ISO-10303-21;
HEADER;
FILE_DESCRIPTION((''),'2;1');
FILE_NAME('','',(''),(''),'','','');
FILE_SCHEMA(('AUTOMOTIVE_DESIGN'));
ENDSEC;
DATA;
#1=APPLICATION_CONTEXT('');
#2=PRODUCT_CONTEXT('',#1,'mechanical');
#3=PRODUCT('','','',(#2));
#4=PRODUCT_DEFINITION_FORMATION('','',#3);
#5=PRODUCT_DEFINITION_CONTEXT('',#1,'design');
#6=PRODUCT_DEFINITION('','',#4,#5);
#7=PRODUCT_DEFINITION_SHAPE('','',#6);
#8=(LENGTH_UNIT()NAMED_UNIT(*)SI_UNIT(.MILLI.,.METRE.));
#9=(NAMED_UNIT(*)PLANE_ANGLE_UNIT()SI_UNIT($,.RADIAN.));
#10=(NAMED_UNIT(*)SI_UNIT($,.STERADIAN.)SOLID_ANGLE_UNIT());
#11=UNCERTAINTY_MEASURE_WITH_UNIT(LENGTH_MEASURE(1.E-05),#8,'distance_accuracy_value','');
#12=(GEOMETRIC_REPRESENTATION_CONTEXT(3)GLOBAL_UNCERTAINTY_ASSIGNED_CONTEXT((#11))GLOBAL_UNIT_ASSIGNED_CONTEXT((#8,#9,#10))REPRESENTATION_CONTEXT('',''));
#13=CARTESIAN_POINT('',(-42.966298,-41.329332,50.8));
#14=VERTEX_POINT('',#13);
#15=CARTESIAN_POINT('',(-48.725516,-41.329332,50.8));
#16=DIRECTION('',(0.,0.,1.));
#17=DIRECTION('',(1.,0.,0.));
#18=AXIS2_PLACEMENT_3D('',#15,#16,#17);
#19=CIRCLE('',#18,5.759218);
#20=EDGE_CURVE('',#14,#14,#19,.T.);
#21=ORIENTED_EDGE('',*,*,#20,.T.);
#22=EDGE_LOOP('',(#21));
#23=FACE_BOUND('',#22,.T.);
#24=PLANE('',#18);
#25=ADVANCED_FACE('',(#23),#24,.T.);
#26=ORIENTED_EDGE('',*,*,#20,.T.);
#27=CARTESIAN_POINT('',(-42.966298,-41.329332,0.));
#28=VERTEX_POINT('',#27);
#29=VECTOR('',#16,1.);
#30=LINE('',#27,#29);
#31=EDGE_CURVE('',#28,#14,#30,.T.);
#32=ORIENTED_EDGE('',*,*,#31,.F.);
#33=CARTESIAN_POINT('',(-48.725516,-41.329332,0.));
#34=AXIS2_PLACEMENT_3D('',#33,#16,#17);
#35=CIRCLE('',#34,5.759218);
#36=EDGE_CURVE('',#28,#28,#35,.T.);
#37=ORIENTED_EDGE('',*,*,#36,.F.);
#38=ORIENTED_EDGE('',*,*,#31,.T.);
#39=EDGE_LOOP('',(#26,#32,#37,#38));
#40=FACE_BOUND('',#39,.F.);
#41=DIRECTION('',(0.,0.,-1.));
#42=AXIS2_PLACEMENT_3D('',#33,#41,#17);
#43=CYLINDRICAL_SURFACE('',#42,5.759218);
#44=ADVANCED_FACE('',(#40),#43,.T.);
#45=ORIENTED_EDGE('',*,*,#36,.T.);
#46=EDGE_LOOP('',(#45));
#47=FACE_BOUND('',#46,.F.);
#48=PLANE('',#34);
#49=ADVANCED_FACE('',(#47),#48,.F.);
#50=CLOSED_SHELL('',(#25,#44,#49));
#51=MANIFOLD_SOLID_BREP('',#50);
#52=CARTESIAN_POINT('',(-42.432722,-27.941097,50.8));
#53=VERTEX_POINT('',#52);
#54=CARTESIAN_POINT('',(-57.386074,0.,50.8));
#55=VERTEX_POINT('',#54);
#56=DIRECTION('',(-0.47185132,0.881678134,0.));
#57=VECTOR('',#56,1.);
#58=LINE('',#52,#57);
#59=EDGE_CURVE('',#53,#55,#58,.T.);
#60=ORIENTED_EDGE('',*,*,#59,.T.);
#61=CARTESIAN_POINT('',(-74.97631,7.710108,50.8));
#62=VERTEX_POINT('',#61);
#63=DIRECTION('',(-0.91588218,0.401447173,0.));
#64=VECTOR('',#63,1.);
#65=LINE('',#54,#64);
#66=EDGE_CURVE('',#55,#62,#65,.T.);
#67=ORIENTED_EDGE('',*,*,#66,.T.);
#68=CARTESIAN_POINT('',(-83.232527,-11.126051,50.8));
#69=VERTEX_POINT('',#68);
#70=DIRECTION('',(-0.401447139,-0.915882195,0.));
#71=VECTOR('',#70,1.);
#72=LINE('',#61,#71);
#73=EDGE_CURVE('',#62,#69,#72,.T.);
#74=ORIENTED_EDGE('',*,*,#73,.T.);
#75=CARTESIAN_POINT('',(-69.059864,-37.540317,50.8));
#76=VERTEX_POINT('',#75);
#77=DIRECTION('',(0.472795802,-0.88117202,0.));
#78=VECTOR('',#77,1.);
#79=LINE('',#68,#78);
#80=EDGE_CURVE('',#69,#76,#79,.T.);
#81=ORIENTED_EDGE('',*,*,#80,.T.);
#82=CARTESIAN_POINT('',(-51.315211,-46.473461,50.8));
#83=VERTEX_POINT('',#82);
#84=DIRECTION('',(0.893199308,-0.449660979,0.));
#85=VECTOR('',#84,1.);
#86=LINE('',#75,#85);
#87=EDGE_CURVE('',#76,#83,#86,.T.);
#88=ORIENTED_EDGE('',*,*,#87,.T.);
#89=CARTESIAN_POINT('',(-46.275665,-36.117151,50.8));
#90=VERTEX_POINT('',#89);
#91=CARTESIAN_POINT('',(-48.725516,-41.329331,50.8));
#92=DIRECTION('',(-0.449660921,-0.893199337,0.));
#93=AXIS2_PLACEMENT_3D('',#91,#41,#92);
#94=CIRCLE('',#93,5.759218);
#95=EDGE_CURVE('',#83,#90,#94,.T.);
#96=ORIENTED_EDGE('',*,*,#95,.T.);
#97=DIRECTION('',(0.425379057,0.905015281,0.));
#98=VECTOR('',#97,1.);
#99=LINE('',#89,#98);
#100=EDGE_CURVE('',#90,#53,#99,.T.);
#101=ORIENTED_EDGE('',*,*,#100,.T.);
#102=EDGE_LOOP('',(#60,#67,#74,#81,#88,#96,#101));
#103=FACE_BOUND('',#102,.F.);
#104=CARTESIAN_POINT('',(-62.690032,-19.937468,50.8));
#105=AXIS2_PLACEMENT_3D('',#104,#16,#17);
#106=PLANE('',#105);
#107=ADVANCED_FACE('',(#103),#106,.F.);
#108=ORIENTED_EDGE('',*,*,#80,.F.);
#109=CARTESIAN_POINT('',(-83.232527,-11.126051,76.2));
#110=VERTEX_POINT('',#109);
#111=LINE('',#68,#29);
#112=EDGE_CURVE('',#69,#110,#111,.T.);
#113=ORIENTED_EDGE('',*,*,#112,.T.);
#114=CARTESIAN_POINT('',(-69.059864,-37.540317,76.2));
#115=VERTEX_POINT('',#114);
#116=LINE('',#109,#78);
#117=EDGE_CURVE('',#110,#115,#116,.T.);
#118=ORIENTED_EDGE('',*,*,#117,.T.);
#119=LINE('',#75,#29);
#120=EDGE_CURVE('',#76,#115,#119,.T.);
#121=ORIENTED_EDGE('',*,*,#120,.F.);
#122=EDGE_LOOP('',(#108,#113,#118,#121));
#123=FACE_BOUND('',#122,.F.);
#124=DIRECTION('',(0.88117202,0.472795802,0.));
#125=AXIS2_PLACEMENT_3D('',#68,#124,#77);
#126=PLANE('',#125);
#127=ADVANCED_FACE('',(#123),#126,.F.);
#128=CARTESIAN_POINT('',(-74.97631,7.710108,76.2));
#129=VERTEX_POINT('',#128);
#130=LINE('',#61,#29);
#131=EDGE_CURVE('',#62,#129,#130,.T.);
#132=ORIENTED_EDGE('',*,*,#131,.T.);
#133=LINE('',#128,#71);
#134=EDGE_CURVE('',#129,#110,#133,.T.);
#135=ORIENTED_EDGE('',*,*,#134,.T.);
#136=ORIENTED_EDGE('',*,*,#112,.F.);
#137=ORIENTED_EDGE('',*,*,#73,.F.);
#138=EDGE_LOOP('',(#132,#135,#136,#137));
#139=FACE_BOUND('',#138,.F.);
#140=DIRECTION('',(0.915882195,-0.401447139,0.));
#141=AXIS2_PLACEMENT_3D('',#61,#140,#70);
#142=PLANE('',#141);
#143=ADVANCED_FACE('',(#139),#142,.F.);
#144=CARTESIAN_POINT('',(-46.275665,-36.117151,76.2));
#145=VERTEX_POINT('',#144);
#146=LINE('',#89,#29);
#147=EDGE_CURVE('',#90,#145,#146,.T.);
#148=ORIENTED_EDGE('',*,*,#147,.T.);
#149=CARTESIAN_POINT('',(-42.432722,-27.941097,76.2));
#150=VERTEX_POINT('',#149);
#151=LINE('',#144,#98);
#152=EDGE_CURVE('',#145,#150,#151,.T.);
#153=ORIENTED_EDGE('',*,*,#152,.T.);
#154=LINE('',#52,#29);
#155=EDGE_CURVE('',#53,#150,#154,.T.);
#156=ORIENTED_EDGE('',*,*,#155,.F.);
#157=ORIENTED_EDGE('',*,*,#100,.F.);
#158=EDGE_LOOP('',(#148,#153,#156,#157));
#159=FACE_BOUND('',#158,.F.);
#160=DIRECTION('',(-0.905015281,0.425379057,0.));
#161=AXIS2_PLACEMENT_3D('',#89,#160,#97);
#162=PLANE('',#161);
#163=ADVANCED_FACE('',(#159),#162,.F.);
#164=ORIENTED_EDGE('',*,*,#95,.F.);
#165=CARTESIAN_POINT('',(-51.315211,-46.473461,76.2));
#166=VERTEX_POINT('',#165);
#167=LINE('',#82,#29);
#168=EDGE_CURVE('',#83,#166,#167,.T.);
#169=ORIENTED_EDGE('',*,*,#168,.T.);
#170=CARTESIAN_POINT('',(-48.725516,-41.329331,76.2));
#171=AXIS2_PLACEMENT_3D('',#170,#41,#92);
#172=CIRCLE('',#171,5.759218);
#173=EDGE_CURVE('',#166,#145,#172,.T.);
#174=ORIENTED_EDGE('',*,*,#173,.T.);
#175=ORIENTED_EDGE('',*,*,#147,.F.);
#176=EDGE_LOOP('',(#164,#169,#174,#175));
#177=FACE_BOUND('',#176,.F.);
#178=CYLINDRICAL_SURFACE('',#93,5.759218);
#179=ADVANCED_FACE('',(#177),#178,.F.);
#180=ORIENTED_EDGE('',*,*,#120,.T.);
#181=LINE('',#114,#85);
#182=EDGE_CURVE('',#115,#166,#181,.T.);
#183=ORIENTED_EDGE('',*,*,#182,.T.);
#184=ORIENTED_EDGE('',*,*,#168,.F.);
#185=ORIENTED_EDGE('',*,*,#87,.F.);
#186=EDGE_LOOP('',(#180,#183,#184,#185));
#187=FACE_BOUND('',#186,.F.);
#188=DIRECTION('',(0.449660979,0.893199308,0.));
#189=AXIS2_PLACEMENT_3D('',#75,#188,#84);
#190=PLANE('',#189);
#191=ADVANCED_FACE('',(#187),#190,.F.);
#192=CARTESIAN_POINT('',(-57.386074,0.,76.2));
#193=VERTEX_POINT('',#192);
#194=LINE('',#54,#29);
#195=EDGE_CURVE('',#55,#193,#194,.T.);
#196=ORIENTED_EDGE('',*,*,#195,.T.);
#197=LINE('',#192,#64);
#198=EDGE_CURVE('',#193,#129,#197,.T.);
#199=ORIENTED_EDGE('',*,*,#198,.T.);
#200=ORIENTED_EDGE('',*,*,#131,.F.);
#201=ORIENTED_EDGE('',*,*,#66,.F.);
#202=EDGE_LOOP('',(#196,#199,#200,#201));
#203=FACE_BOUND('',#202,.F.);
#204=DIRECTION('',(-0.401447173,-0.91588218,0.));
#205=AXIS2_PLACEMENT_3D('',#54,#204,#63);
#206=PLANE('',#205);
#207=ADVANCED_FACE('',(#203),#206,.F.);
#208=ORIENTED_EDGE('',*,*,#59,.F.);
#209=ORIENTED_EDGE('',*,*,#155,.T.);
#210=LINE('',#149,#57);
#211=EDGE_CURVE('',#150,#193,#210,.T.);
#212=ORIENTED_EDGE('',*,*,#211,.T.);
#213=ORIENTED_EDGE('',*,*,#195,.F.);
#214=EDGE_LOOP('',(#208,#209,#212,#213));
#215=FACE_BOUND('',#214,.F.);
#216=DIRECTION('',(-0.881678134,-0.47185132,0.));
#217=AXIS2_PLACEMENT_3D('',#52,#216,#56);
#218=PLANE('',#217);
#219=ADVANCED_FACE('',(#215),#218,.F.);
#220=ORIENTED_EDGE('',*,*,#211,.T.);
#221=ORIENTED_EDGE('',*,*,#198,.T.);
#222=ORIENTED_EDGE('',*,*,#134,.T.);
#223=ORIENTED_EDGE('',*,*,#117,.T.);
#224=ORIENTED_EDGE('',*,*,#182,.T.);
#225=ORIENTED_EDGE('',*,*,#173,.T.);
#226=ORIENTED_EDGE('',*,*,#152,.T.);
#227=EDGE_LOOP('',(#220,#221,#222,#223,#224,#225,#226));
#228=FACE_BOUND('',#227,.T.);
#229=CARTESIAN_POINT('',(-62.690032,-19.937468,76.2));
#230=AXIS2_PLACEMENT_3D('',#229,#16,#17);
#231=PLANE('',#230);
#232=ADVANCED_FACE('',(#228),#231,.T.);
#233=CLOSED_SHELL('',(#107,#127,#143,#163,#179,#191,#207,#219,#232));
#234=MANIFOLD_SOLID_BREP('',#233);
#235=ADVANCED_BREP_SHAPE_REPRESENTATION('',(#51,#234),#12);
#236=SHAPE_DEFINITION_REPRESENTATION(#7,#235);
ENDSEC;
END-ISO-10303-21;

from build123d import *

# Parameters (mm, degrees)
F0_R     = 5.759218
F1_DEPTH = 50.8
F3_DEPTH = 25.4


with BuildPart() as f1:
    # F0 (on Top) → F1 (new body)
    with BuildSketch(Plane.XY):
        with Locations((-48.725516, -41.329332)):
            Circle(F0_R)
    extrude(amount=F1_DEPTH)


with BuildPart() as f3:
    # F2 (on face) → F3 (new body)
    with BuildSketch(Plane.XY.offset(50.8)):
        with BuildLine():
            ThreePointArc((-51.315211, -46.473461), (-53.904143, -38.809329), (-46.275665, -36.117151))
            Line((-46.275665, -36.117151), (-42.432722, -27.941097))
            Line((-42.432722, -27.941097), (-57.386074, 0))
            Line((-57.386074, 0), (-74.97631, 7.710108))
            Line((-74.97631, 7.710108), (-83.232527, -11.126051))
            Line((-83.232527, -11.126051), (-69.059864, -37.540317))
            Line((-69.059864, -37.540317), (-51.315211, -46.473461))
        make_face()
    extrude(amount=F3_DEPTH)


solid = Compound([f1.part, f3.part])
